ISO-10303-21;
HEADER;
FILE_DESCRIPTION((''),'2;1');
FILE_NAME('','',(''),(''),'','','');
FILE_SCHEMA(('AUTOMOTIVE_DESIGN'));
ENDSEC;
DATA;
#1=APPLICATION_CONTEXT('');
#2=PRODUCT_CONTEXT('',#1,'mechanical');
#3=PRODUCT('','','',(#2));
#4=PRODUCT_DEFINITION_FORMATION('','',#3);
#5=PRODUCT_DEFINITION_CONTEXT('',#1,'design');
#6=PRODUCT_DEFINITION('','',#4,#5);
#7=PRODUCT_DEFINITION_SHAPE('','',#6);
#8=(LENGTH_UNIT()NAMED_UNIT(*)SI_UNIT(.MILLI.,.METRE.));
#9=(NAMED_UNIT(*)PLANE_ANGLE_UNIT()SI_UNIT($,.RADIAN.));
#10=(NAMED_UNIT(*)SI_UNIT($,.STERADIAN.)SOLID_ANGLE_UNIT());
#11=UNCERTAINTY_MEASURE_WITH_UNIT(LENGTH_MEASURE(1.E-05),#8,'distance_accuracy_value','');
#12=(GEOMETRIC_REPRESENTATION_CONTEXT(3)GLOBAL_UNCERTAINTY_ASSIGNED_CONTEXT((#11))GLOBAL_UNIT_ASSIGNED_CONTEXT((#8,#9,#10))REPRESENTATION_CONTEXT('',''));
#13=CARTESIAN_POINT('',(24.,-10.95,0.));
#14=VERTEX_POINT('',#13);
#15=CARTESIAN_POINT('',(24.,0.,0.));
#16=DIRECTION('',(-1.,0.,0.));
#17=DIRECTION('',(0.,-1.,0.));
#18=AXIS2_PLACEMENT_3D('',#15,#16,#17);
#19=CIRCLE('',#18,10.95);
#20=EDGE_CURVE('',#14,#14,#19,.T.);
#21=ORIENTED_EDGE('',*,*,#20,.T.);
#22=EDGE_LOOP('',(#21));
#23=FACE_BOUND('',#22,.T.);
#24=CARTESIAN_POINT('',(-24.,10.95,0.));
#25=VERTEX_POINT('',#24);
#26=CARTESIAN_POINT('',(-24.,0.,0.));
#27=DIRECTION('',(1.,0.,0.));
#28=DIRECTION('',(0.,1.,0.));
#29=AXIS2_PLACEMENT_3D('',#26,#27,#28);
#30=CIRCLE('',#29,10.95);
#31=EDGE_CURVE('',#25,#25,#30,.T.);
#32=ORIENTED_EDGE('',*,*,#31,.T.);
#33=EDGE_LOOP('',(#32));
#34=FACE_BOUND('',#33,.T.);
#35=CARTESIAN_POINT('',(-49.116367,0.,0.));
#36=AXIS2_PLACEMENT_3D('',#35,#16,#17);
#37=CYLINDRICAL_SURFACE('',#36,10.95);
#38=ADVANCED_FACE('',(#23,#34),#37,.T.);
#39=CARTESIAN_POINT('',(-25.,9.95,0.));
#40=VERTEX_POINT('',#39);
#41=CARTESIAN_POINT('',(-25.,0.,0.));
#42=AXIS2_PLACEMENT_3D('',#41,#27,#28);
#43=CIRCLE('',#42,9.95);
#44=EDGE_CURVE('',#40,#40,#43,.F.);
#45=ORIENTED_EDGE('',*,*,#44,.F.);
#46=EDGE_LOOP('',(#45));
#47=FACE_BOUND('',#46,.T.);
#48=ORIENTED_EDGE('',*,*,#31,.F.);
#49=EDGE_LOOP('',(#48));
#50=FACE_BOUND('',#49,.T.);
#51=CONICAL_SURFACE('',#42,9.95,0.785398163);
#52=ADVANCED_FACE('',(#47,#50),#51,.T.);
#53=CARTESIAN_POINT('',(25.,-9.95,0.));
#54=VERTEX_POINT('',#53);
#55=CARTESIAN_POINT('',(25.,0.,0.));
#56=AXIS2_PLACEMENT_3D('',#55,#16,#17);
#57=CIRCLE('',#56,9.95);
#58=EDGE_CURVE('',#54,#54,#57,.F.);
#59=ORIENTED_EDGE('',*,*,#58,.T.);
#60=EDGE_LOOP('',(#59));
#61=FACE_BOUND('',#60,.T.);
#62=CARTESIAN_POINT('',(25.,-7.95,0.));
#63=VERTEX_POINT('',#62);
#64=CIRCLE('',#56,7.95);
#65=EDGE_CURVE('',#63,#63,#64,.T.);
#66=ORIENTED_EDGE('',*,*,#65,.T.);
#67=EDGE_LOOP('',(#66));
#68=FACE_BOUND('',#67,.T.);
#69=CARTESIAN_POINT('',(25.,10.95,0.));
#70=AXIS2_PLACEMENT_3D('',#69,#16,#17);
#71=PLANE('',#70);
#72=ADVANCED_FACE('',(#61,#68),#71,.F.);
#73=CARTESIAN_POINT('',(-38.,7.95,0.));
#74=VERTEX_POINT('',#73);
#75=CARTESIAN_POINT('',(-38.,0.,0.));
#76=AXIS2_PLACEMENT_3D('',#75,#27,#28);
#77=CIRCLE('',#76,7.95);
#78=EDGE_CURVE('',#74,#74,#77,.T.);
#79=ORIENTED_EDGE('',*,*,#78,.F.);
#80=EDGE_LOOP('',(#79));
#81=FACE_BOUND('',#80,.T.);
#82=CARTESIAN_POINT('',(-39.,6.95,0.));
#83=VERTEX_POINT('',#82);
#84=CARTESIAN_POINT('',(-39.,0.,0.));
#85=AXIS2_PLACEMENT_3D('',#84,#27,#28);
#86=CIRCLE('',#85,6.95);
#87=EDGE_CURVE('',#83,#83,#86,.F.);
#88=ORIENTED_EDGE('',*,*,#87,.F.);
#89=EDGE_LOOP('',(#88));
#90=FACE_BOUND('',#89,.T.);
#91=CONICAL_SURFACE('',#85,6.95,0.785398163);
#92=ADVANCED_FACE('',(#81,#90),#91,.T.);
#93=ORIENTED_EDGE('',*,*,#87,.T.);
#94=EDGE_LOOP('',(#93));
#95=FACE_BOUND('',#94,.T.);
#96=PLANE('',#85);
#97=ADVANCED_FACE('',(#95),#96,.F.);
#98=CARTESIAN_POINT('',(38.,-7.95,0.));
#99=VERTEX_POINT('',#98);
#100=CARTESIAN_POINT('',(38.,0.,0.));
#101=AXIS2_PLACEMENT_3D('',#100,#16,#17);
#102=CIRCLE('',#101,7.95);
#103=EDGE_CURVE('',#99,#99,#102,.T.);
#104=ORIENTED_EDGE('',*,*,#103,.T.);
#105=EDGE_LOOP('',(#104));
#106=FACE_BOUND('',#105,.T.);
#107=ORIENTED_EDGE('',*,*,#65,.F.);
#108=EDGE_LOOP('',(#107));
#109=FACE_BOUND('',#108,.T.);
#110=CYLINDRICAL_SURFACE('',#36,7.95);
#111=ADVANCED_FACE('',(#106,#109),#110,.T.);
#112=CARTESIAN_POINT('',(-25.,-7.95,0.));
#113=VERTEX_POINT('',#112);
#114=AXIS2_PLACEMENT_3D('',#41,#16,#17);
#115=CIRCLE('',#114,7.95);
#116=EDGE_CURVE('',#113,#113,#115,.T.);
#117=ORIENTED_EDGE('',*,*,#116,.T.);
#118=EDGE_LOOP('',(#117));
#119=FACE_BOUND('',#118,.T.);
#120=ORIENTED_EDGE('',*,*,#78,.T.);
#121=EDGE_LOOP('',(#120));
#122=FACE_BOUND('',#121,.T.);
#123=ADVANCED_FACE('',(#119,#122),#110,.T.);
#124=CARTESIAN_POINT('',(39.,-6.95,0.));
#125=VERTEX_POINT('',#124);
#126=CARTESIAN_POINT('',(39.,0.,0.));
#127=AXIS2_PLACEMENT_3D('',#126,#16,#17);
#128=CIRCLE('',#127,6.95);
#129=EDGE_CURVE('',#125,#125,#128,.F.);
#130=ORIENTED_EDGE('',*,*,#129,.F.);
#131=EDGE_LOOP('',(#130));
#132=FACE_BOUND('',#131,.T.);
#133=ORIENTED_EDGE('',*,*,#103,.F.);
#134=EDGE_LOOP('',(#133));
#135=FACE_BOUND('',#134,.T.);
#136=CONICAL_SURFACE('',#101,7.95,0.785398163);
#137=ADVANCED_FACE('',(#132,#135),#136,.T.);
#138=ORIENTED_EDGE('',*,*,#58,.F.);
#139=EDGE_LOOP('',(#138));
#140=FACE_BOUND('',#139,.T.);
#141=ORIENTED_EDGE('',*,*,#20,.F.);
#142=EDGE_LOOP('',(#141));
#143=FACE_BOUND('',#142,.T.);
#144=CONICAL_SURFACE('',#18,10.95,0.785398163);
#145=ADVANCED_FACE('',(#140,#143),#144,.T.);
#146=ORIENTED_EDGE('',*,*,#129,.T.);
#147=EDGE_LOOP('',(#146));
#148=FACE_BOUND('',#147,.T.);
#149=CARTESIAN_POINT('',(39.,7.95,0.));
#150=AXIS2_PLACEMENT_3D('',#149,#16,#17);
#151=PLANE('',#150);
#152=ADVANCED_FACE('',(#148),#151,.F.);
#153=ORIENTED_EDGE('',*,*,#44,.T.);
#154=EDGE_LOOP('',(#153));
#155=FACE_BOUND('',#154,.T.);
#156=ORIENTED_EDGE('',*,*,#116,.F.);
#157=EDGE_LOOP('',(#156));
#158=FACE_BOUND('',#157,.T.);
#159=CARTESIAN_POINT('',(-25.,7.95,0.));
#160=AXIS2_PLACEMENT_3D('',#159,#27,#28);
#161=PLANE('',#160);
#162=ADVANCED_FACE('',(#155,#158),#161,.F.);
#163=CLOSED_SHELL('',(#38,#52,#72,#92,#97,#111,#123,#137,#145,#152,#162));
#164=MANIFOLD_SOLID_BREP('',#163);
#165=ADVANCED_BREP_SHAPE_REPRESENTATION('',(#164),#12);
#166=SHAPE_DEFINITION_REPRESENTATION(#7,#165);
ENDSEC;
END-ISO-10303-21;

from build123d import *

# Parameters (mm, degrees)
CHANFREIN1_SIZE = 1


with BuildPart() as part:
    # Esquisse1 → Révolution1 (revolve)
    with BuildSketch(Plane.XY, mode=Mode.PRIVATE) as r_volution1_sk:
        Polygon((-39, 0), (-39, 7.95), (-25, 7.95), (-25, 10.95), (25, 10.95), (25, 7.95), (39, 7.95), (39, 0), align=None)
    revolve(r_volution1_sk.sketch.rotate(Axis((-49.116366612, 0, 0), (1, 0, 0)), 180), axis=Axis((-49.116366612, 0, 0), (1, 0, 0)))

    # Chanfrein1
    chanfrein1_edges = [part.edges().sort_by_distance(p)[0] for p in [
        (39, 7.95, 0),
        (25, 10.95, 0),
        (-25, 10.95, 0),
        (-39, 7.95, 0),
    ]]
    chamfer(chanfrein1_edges, length=CHANFREIN1_SIZE)


solid = part.part
